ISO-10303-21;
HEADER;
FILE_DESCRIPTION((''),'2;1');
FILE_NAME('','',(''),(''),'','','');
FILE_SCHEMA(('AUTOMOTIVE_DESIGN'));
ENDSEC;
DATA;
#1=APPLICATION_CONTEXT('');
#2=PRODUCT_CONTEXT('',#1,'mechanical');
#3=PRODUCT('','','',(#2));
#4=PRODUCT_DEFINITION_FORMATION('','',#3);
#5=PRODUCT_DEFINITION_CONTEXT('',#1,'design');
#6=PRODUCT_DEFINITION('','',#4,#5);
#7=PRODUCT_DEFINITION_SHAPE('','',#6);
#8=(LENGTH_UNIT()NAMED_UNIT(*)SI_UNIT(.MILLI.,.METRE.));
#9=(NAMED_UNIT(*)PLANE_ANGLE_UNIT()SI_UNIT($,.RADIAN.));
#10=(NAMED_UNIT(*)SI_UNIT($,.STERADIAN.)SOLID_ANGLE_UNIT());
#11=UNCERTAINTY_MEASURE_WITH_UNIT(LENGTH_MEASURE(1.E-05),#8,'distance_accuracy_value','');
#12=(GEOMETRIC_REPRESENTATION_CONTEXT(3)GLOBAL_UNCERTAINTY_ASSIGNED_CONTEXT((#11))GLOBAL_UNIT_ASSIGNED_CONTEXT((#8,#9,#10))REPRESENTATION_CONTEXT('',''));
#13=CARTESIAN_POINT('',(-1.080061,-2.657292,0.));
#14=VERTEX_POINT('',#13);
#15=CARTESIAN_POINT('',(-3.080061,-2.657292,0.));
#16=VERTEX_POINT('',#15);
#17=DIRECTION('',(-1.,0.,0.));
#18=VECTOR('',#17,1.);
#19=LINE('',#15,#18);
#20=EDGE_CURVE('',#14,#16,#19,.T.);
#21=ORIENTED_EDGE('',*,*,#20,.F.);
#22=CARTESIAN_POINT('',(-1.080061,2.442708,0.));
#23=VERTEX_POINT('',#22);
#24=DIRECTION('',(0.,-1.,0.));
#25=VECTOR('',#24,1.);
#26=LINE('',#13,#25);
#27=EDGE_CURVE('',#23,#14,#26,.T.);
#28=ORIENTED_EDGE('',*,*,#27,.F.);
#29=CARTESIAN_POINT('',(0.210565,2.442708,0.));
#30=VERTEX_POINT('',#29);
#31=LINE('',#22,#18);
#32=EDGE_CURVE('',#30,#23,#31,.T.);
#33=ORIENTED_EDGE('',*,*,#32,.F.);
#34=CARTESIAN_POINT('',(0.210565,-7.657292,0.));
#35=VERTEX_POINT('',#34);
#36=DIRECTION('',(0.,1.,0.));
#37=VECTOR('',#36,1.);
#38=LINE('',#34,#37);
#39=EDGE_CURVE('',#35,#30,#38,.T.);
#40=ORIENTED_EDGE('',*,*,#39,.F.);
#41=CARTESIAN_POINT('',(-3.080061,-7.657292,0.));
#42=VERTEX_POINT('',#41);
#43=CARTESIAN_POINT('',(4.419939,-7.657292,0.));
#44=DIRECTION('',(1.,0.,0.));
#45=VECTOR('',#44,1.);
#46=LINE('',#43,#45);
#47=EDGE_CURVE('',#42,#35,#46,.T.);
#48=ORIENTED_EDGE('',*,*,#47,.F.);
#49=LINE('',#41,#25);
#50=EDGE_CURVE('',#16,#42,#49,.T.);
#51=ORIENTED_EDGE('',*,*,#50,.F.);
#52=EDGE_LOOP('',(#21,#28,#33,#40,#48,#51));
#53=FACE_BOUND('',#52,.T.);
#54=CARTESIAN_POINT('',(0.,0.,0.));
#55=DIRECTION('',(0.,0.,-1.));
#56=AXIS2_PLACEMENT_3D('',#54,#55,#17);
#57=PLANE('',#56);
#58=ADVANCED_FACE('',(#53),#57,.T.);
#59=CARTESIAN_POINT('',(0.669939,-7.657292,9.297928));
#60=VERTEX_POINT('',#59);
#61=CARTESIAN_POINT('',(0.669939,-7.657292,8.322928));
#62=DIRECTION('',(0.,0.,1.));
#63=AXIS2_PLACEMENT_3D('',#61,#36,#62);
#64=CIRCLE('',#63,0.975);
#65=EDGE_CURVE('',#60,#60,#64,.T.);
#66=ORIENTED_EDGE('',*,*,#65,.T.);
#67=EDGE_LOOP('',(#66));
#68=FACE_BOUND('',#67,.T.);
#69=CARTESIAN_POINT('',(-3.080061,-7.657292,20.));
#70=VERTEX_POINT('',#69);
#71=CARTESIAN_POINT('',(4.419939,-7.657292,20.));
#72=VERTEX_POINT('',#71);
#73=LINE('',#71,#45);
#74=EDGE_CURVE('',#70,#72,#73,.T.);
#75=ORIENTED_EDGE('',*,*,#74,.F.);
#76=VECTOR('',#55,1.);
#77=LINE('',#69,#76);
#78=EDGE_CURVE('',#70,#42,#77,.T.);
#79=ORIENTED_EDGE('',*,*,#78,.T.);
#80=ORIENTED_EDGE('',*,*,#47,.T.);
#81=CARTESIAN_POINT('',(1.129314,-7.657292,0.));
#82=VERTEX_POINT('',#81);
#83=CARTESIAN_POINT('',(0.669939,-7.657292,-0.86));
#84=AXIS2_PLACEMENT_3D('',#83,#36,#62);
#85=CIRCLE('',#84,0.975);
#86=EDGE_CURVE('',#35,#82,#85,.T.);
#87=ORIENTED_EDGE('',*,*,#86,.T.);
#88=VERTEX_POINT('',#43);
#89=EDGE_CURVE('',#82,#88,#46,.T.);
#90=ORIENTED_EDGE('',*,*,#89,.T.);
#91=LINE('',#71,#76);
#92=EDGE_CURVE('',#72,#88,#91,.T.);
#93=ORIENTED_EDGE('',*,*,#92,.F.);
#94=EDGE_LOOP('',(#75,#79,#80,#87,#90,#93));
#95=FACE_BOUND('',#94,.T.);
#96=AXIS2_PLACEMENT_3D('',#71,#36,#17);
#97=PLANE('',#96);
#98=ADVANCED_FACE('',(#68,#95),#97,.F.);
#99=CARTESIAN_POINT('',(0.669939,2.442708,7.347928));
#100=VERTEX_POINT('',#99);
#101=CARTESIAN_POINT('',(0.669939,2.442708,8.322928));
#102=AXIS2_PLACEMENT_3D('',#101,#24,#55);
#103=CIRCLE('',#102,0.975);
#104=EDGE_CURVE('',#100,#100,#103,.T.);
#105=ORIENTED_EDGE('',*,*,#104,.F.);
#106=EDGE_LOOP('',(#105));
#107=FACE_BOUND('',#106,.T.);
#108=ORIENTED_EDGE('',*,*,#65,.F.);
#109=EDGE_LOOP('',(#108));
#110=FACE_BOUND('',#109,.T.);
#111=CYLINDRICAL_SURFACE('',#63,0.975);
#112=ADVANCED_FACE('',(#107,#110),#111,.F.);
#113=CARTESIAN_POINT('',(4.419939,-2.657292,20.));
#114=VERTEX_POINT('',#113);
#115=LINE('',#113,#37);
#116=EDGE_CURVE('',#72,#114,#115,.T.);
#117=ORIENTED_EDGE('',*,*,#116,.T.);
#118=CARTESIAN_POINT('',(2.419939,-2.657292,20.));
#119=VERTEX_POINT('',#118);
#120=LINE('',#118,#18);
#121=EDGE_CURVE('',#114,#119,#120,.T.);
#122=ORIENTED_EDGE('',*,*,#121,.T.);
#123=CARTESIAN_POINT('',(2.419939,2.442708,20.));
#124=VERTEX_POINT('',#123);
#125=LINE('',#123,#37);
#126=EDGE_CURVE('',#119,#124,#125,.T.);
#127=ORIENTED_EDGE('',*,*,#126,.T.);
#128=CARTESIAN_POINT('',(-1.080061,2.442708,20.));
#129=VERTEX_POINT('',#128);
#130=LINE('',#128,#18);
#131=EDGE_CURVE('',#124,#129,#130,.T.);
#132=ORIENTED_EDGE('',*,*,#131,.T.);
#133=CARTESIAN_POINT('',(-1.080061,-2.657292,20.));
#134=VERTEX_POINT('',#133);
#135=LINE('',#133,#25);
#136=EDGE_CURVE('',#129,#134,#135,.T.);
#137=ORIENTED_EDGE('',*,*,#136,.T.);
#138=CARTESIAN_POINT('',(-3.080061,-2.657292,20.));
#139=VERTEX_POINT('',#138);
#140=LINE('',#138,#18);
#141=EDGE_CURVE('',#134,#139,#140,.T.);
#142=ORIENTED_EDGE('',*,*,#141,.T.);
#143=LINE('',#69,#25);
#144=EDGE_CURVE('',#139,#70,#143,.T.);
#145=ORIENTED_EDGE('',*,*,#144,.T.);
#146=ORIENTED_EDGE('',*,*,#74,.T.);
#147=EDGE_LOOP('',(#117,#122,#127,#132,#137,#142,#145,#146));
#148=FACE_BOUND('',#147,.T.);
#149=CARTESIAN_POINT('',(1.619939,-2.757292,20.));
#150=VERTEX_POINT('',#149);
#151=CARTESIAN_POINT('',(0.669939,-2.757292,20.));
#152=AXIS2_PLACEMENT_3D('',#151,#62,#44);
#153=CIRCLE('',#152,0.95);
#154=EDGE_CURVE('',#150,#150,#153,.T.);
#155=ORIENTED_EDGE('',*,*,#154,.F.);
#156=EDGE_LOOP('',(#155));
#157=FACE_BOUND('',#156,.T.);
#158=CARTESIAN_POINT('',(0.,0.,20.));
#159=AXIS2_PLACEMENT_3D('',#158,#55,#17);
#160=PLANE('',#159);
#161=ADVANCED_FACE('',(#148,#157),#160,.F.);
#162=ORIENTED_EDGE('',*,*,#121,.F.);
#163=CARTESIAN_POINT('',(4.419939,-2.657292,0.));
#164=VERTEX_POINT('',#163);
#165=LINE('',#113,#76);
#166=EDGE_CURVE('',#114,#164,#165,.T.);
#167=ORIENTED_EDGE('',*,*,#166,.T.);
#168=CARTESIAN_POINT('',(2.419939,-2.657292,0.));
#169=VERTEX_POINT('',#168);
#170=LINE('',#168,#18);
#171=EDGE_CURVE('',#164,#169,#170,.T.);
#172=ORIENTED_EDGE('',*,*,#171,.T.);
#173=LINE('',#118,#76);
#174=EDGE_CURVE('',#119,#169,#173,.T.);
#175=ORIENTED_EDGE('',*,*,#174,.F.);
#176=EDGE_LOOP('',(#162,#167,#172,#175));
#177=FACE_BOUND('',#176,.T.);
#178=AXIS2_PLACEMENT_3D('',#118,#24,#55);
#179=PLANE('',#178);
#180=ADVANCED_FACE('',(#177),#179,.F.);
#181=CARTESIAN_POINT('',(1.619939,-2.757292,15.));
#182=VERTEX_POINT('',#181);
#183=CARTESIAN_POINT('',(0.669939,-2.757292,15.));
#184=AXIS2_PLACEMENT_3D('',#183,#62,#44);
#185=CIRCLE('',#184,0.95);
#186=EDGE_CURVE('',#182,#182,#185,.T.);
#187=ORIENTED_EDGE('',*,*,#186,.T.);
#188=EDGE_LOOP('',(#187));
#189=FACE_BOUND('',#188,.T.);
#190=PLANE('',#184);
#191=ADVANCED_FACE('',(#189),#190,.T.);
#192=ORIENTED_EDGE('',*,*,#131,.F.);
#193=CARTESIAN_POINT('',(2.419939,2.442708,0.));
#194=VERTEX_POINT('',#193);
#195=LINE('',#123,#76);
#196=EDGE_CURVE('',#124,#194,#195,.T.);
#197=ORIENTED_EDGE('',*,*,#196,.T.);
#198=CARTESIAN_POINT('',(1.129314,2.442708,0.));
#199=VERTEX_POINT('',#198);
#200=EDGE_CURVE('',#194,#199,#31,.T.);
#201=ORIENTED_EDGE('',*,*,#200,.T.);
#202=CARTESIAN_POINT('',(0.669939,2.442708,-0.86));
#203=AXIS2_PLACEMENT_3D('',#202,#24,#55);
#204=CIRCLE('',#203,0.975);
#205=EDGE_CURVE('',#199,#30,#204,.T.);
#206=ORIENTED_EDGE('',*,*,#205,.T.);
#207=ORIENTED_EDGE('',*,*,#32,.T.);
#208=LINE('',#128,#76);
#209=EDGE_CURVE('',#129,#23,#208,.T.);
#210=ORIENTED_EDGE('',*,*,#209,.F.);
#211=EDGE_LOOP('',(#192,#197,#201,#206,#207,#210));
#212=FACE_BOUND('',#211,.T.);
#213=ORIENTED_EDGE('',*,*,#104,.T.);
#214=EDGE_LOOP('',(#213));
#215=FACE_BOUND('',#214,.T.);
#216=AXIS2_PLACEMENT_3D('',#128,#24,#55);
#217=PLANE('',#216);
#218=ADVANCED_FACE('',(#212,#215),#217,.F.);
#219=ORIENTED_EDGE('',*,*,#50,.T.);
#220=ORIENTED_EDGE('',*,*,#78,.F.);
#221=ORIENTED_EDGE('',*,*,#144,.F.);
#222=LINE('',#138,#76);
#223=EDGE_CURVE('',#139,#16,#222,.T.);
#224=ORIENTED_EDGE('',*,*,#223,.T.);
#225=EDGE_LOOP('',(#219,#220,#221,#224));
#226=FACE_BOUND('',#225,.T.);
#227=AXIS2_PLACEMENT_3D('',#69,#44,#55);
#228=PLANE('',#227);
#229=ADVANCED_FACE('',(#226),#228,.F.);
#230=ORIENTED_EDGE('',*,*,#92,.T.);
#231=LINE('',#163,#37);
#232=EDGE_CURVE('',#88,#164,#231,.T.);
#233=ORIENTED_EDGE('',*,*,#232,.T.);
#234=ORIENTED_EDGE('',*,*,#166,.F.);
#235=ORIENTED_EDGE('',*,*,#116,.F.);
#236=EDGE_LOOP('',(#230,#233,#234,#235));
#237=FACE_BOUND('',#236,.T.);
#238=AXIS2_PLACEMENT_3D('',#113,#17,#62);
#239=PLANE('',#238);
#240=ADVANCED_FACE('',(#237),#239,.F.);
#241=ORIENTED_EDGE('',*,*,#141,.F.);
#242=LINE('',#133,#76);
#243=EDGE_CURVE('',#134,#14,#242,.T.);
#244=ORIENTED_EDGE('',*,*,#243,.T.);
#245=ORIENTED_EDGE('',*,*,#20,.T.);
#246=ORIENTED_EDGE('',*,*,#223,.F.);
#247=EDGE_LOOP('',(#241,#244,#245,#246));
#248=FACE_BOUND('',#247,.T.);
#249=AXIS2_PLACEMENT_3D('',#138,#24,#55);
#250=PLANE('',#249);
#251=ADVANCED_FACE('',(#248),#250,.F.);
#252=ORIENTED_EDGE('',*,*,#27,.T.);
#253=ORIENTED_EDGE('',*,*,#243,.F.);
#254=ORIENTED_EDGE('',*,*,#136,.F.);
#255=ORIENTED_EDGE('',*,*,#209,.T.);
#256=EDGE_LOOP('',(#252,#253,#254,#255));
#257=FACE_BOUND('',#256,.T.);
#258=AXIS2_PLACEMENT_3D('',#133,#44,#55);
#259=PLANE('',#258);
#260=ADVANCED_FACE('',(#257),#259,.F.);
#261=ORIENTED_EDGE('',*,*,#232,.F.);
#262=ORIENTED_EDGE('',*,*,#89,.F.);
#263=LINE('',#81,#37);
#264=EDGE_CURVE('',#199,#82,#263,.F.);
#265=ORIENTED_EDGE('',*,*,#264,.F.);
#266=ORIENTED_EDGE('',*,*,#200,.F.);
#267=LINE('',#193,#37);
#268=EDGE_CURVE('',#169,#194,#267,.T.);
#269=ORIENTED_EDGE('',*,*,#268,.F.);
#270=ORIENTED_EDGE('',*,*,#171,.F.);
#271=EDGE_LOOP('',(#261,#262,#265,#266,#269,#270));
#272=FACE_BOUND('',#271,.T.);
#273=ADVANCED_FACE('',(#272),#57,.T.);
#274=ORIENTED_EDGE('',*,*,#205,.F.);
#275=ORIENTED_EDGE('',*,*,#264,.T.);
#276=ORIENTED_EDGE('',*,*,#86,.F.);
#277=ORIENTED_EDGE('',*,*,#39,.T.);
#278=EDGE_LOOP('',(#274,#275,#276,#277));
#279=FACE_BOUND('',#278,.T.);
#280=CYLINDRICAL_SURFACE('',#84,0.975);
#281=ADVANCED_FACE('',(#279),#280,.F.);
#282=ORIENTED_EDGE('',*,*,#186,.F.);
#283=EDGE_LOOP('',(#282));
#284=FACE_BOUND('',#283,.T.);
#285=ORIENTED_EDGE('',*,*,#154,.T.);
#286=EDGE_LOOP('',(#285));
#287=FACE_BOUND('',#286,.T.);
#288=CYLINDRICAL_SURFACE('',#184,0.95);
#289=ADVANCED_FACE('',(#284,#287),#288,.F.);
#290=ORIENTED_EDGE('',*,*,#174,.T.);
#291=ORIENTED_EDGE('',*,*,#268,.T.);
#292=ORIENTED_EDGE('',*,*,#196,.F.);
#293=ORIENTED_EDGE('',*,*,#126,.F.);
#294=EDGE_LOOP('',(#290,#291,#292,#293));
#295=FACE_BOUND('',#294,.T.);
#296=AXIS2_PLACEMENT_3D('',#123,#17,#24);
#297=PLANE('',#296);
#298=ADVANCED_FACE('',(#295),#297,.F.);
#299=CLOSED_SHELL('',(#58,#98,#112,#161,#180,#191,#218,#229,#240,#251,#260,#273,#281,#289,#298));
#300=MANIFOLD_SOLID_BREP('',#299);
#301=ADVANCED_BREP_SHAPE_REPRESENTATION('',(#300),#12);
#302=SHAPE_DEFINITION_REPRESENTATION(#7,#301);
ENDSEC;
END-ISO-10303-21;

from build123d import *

# Parameters (mm, degrees)
BOSS_EXTRUDE1_DEPTH     = 20
SKETCH3_R               = 0.95
CUT_EXTRUDE1_DEPTH      = 5
CUT_EXTRUDE2_DEPTH      = 23.837378659
CUT_EXTRUDE2_DEPTH_BACK = 23.837378659
SKETCH4_R               = 0.975


with BuildPart() as part:
    # Sketch2 → Boss-Extrude1 (new body)
    with BuildSketch(Plane.XY):
        Polygon((-1.080060634, 2.442708333), (2.419939366, 2.442708333), (2.419939366, -2.657291667), (4.419939366, -2.657291667), (4.419939366, -7.657291667), (-3.080060634, -7.657291667), (-3.080060634, -2.657291667), (-1.080060634, -2.657291667), align=None)
    extrude(amount=BOSS_EXTRUDE1_DEPTH)

    # Sketch3 → Cut-Extrude1 (cut)
    with BuildSketch(Plane.XY.offset(20)):
        with Locations((0.669939366, -2.757291667)):
            Circle(SKETCH3_R)
    extrude(amount=-CUT_EXTRUDE1_DEPTH, mode=Mode.SUBTRACT)

    # Sketch4 → Cut-Extrude2 (cut, two sides: drawn at the far end of the back side and taken through both)
    with BuildSketch(Plane(origin=(0, 2.442708333, 0), x_dir=(1, 0, 0), z_dir=(0, 1, 0)).offset(-CUT_EXTRUDE2_DEPTH_BACK)):
        with Locations((0.669939366, -8.322927776)):
            Circle(SKETCH4_R)
        with Locations((0.669939366, 0.86)):
            Circle(SKETCH4_R)
    extrude(amount=CUT_EXTRUDE2_DEPTH + CUT_EXTRUDE2_DEPTH_BACK, mode=Mode.SUBTRACT)


solid = part.part
